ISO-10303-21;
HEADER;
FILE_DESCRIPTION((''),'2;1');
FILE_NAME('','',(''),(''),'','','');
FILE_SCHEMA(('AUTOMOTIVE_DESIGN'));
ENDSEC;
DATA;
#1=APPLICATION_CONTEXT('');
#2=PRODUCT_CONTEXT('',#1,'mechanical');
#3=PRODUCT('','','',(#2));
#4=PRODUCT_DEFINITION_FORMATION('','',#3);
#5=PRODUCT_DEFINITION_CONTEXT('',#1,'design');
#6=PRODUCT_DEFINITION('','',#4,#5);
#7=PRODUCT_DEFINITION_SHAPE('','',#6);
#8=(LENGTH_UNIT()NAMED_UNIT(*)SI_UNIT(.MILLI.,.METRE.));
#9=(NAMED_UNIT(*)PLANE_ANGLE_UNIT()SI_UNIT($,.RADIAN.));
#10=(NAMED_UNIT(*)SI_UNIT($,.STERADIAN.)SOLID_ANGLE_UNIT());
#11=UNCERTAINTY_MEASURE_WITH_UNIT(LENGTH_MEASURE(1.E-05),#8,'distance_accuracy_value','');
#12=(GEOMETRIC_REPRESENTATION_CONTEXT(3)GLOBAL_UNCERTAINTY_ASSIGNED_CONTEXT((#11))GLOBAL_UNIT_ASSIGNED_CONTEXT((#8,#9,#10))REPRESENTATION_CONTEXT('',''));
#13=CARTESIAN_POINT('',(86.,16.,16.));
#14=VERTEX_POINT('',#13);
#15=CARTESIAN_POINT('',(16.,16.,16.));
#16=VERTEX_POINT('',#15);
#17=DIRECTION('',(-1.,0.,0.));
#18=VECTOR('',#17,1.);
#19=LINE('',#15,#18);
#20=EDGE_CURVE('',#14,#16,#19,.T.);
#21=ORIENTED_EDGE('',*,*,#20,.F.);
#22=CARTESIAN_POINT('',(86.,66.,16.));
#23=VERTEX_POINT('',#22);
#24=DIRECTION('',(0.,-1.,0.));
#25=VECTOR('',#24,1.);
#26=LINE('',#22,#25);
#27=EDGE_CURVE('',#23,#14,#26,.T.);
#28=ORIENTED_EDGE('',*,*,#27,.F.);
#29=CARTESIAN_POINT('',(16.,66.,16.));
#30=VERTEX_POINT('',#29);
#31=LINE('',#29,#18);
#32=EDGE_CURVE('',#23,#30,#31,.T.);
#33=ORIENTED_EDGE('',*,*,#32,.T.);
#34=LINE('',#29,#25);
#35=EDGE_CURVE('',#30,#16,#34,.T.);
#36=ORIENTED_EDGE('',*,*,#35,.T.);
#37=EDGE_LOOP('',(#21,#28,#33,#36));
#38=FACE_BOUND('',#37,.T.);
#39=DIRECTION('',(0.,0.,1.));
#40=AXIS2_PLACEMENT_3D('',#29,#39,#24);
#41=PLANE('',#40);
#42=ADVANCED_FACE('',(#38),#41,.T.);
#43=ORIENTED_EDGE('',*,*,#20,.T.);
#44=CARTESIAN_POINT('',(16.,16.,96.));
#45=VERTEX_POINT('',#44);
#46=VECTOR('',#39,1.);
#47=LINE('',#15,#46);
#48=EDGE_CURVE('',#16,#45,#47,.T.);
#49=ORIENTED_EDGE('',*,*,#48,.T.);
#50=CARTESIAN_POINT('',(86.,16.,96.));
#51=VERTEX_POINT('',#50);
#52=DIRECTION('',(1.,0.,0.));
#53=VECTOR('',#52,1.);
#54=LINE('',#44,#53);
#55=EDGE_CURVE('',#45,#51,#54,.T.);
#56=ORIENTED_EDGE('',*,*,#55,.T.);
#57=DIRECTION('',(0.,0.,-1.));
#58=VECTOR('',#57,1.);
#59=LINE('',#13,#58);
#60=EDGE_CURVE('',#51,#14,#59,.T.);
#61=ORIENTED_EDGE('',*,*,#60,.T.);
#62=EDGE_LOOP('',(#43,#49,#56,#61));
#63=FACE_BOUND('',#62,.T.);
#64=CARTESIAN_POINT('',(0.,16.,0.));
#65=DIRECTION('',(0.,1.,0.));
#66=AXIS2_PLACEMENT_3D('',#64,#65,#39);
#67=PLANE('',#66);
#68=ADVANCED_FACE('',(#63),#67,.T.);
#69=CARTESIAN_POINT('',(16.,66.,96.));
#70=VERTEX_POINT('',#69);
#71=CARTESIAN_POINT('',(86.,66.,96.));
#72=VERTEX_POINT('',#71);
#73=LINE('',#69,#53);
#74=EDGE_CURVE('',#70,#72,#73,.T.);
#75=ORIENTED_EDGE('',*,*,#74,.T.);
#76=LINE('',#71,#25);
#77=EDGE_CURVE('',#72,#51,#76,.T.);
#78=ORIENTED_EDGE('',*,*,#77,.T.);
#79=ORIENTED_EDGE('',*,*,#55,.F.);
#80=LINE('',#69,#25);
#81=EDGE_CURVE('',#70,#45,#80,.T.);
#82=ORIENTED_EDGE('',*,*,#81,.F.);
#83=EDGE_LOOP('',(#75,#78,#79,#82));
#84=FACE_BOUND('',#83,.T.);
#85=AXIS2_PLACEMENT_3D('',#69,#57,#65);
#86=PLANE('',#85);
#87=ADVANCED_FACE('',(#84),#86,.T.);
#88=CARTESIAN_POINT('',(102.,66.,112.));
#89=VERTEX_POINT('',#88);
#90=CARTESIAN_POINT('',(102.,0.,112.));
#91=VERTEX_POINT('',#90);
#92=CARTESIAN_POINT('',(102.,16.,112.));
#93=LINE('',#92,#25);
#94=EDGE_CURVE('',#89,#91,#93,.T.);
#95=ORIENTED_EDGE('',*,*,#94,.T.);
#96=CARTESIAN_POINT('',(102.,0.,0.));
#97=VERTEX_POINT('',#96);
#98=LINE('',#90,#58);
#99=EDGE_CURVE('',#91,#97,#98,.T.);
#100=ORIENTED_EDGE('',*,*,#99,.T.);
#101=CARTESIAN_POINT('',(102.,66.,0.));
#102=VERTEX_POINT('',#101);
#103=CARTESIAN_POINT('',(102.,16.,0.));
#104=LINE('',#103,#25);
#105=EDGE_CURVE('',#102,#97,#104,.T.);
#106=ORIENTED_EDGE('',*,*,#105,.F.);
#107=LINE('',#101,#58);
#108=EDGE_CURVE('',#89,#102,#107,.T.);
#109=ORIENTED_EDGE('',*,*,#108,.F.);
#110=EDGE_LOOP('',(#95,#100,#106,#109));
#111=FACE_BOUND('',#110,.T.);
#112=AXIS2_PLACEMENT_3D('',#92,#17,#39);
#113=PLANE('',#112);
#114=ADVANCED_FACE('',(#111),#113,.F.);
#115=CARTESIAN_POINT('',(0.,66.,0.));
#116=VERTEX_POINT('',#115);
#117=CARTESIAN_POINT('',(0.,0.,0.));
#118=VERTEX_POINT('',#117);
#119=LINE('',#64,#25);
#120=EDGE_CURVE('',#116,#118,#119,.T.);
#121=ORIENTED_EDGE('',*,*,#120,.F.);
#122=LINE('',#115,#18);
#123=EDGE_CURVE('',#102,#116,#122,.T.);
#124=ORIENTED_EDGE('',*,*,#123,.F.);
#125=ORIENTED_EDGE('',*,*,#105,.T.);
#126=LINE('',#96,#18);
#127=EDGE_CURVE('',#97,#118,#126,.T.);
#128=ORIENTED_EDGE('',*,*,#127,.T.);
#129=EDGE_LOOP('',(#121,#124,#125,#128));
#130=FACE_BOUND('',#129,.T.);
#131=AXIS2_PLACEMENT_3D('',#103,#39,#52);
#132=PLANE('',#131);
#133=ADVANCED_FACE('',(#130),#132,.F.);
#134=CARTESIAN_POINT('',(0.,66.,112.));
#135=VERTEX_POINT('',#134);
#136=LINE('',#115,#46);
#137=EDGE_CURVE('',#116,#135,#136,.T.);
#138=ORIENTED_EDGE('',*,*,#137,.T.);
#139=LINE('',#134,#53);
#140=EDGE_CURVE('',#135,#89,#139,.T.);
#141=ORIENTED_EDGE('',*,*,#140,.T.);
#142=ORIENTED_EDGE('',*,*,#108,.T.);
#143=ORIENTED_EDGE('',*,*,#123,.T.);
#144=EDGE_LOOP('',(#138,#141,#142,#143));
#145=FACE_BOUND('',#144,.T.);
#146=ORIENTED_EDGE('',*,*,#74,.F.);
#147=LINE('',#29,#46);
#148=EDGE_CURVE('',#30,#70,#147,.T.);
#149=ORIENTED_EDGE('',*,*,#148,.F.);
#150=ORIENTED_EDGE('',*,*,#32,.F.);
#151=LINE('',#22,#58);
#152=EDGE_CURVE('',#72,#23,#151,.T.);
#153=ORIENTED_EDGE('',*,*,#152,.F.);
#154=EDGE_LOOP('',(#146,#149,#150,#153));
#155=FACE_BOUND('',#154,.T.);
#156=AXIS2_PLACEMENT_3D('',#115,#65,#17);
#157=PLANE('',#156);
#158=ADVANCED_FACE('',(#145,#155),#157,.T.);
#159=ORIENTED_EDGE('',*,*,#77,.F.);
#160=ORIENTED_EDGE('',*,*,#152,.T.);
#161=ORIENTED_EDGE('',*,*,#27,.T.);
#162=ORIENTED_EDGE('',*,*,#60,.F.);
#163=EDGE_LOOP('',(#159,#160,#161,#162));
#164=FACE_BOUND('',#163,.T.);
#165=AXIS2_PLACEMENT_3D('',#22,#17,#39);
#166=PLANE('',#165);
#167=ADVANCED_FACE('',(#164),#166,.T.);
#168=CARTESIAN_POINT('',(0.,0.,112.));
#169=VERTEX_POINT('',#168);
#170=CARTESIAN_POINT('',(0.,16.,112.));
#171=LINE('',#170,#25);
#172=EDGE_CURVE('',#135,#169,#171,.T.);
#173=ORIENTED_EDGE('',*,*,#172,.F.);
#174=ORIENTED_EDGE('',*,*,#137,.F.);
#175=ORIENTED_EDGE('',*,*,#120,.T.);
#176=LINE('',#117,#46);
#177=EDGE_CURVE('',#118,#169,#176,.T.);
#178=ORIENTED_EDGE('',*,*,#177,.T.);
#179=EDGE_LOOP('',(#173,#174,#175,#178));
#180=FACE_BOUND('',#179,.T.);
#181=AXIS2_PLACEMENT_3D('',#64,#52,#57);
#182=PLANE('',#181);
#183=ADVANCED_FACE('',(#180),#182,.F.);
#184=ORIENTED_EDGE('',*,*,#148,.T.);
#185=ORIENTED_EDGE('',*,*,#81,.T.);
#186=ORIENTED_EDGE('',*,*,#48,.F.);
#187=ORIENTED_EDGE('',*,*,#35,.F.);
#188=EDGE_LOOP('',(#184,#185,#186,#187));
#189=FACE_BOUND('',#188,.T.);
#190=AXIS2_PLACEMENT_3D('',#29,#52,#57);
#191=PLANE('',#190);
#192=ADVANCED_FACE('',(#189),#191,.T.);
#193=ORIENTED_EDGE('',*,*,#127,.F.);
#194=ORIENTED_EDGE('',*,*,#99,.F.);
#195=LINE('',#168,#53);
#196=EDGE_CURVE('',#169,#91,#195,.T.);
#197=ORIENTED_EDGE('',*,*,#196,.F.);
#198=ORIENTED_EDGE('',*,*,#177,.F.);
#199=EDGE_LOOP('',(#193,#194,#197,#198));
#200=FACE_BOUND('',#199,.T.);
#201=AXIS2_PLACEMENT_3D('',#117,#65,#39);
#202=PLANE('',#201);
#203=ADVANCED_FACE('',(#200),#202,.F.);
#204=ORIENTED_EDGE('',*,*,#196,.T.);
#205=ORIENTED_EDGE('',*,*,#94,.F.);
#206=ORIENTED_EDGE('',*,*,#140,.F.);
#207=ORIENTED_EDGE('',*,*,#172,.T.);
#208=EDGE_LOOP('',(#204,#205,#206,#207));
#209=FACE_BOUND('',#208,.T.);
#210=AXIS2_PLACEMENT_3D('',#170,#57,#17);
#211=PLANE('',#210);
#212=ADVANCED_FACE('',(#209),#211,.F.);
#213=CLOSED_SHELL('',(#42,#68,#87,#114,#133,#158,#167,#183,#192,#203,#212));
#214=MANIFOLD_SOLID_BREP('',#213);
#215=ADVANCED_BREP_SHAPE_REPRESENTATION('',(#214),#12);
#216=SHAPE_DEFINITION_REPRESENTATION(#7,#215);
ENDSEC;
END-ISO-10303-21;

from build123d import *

# Parameters (mm, degrees)
SKETCH4_W           = 102
SKETCH4_H           = 112
BOSS_EXTRUDE4_DEPTH = 16
SKETCH5_W           = 102
SKETCH5_H           = 112
SKETCH5_W_2         = 70
SKETCH5_H_2         = 80
BOSS_EXTRUDE5_DEPTH = 50


with BuildPart() as part:
    # Sketch4 → Boss-Extrude4 (new body)
    with BuildSketch(Plane(origin=(0, 0, 0), x_dir=(1, 0, 0), z_dir=(0, 1, 0))):
        with Locations((51, -56)):
            Rectangle(SKETCH4_W, SKETCH4_H)
    extrude(amount=BOSS_EXTRUDE4_DEPTH)

    # Sketch5 → Boss-Extrude5 (add)
    with BuildSketch(Plane(origin=(0, 16, 0), x_dir=(1, 0, 0), z_dir=(0, 1, 0))):
        with Locations((51, -56)):
            Rectangle(SKETCH5_W, SKETCH5_H)
        with Locations((51, -56)):
            Rectangle(SKETCH5_W_2, SKETCH5_H_2, mode=Mode.SUBTRACT)
    extrude(amount=BOSS_EXTRUDE5_DEPTH)


solid = part.part
